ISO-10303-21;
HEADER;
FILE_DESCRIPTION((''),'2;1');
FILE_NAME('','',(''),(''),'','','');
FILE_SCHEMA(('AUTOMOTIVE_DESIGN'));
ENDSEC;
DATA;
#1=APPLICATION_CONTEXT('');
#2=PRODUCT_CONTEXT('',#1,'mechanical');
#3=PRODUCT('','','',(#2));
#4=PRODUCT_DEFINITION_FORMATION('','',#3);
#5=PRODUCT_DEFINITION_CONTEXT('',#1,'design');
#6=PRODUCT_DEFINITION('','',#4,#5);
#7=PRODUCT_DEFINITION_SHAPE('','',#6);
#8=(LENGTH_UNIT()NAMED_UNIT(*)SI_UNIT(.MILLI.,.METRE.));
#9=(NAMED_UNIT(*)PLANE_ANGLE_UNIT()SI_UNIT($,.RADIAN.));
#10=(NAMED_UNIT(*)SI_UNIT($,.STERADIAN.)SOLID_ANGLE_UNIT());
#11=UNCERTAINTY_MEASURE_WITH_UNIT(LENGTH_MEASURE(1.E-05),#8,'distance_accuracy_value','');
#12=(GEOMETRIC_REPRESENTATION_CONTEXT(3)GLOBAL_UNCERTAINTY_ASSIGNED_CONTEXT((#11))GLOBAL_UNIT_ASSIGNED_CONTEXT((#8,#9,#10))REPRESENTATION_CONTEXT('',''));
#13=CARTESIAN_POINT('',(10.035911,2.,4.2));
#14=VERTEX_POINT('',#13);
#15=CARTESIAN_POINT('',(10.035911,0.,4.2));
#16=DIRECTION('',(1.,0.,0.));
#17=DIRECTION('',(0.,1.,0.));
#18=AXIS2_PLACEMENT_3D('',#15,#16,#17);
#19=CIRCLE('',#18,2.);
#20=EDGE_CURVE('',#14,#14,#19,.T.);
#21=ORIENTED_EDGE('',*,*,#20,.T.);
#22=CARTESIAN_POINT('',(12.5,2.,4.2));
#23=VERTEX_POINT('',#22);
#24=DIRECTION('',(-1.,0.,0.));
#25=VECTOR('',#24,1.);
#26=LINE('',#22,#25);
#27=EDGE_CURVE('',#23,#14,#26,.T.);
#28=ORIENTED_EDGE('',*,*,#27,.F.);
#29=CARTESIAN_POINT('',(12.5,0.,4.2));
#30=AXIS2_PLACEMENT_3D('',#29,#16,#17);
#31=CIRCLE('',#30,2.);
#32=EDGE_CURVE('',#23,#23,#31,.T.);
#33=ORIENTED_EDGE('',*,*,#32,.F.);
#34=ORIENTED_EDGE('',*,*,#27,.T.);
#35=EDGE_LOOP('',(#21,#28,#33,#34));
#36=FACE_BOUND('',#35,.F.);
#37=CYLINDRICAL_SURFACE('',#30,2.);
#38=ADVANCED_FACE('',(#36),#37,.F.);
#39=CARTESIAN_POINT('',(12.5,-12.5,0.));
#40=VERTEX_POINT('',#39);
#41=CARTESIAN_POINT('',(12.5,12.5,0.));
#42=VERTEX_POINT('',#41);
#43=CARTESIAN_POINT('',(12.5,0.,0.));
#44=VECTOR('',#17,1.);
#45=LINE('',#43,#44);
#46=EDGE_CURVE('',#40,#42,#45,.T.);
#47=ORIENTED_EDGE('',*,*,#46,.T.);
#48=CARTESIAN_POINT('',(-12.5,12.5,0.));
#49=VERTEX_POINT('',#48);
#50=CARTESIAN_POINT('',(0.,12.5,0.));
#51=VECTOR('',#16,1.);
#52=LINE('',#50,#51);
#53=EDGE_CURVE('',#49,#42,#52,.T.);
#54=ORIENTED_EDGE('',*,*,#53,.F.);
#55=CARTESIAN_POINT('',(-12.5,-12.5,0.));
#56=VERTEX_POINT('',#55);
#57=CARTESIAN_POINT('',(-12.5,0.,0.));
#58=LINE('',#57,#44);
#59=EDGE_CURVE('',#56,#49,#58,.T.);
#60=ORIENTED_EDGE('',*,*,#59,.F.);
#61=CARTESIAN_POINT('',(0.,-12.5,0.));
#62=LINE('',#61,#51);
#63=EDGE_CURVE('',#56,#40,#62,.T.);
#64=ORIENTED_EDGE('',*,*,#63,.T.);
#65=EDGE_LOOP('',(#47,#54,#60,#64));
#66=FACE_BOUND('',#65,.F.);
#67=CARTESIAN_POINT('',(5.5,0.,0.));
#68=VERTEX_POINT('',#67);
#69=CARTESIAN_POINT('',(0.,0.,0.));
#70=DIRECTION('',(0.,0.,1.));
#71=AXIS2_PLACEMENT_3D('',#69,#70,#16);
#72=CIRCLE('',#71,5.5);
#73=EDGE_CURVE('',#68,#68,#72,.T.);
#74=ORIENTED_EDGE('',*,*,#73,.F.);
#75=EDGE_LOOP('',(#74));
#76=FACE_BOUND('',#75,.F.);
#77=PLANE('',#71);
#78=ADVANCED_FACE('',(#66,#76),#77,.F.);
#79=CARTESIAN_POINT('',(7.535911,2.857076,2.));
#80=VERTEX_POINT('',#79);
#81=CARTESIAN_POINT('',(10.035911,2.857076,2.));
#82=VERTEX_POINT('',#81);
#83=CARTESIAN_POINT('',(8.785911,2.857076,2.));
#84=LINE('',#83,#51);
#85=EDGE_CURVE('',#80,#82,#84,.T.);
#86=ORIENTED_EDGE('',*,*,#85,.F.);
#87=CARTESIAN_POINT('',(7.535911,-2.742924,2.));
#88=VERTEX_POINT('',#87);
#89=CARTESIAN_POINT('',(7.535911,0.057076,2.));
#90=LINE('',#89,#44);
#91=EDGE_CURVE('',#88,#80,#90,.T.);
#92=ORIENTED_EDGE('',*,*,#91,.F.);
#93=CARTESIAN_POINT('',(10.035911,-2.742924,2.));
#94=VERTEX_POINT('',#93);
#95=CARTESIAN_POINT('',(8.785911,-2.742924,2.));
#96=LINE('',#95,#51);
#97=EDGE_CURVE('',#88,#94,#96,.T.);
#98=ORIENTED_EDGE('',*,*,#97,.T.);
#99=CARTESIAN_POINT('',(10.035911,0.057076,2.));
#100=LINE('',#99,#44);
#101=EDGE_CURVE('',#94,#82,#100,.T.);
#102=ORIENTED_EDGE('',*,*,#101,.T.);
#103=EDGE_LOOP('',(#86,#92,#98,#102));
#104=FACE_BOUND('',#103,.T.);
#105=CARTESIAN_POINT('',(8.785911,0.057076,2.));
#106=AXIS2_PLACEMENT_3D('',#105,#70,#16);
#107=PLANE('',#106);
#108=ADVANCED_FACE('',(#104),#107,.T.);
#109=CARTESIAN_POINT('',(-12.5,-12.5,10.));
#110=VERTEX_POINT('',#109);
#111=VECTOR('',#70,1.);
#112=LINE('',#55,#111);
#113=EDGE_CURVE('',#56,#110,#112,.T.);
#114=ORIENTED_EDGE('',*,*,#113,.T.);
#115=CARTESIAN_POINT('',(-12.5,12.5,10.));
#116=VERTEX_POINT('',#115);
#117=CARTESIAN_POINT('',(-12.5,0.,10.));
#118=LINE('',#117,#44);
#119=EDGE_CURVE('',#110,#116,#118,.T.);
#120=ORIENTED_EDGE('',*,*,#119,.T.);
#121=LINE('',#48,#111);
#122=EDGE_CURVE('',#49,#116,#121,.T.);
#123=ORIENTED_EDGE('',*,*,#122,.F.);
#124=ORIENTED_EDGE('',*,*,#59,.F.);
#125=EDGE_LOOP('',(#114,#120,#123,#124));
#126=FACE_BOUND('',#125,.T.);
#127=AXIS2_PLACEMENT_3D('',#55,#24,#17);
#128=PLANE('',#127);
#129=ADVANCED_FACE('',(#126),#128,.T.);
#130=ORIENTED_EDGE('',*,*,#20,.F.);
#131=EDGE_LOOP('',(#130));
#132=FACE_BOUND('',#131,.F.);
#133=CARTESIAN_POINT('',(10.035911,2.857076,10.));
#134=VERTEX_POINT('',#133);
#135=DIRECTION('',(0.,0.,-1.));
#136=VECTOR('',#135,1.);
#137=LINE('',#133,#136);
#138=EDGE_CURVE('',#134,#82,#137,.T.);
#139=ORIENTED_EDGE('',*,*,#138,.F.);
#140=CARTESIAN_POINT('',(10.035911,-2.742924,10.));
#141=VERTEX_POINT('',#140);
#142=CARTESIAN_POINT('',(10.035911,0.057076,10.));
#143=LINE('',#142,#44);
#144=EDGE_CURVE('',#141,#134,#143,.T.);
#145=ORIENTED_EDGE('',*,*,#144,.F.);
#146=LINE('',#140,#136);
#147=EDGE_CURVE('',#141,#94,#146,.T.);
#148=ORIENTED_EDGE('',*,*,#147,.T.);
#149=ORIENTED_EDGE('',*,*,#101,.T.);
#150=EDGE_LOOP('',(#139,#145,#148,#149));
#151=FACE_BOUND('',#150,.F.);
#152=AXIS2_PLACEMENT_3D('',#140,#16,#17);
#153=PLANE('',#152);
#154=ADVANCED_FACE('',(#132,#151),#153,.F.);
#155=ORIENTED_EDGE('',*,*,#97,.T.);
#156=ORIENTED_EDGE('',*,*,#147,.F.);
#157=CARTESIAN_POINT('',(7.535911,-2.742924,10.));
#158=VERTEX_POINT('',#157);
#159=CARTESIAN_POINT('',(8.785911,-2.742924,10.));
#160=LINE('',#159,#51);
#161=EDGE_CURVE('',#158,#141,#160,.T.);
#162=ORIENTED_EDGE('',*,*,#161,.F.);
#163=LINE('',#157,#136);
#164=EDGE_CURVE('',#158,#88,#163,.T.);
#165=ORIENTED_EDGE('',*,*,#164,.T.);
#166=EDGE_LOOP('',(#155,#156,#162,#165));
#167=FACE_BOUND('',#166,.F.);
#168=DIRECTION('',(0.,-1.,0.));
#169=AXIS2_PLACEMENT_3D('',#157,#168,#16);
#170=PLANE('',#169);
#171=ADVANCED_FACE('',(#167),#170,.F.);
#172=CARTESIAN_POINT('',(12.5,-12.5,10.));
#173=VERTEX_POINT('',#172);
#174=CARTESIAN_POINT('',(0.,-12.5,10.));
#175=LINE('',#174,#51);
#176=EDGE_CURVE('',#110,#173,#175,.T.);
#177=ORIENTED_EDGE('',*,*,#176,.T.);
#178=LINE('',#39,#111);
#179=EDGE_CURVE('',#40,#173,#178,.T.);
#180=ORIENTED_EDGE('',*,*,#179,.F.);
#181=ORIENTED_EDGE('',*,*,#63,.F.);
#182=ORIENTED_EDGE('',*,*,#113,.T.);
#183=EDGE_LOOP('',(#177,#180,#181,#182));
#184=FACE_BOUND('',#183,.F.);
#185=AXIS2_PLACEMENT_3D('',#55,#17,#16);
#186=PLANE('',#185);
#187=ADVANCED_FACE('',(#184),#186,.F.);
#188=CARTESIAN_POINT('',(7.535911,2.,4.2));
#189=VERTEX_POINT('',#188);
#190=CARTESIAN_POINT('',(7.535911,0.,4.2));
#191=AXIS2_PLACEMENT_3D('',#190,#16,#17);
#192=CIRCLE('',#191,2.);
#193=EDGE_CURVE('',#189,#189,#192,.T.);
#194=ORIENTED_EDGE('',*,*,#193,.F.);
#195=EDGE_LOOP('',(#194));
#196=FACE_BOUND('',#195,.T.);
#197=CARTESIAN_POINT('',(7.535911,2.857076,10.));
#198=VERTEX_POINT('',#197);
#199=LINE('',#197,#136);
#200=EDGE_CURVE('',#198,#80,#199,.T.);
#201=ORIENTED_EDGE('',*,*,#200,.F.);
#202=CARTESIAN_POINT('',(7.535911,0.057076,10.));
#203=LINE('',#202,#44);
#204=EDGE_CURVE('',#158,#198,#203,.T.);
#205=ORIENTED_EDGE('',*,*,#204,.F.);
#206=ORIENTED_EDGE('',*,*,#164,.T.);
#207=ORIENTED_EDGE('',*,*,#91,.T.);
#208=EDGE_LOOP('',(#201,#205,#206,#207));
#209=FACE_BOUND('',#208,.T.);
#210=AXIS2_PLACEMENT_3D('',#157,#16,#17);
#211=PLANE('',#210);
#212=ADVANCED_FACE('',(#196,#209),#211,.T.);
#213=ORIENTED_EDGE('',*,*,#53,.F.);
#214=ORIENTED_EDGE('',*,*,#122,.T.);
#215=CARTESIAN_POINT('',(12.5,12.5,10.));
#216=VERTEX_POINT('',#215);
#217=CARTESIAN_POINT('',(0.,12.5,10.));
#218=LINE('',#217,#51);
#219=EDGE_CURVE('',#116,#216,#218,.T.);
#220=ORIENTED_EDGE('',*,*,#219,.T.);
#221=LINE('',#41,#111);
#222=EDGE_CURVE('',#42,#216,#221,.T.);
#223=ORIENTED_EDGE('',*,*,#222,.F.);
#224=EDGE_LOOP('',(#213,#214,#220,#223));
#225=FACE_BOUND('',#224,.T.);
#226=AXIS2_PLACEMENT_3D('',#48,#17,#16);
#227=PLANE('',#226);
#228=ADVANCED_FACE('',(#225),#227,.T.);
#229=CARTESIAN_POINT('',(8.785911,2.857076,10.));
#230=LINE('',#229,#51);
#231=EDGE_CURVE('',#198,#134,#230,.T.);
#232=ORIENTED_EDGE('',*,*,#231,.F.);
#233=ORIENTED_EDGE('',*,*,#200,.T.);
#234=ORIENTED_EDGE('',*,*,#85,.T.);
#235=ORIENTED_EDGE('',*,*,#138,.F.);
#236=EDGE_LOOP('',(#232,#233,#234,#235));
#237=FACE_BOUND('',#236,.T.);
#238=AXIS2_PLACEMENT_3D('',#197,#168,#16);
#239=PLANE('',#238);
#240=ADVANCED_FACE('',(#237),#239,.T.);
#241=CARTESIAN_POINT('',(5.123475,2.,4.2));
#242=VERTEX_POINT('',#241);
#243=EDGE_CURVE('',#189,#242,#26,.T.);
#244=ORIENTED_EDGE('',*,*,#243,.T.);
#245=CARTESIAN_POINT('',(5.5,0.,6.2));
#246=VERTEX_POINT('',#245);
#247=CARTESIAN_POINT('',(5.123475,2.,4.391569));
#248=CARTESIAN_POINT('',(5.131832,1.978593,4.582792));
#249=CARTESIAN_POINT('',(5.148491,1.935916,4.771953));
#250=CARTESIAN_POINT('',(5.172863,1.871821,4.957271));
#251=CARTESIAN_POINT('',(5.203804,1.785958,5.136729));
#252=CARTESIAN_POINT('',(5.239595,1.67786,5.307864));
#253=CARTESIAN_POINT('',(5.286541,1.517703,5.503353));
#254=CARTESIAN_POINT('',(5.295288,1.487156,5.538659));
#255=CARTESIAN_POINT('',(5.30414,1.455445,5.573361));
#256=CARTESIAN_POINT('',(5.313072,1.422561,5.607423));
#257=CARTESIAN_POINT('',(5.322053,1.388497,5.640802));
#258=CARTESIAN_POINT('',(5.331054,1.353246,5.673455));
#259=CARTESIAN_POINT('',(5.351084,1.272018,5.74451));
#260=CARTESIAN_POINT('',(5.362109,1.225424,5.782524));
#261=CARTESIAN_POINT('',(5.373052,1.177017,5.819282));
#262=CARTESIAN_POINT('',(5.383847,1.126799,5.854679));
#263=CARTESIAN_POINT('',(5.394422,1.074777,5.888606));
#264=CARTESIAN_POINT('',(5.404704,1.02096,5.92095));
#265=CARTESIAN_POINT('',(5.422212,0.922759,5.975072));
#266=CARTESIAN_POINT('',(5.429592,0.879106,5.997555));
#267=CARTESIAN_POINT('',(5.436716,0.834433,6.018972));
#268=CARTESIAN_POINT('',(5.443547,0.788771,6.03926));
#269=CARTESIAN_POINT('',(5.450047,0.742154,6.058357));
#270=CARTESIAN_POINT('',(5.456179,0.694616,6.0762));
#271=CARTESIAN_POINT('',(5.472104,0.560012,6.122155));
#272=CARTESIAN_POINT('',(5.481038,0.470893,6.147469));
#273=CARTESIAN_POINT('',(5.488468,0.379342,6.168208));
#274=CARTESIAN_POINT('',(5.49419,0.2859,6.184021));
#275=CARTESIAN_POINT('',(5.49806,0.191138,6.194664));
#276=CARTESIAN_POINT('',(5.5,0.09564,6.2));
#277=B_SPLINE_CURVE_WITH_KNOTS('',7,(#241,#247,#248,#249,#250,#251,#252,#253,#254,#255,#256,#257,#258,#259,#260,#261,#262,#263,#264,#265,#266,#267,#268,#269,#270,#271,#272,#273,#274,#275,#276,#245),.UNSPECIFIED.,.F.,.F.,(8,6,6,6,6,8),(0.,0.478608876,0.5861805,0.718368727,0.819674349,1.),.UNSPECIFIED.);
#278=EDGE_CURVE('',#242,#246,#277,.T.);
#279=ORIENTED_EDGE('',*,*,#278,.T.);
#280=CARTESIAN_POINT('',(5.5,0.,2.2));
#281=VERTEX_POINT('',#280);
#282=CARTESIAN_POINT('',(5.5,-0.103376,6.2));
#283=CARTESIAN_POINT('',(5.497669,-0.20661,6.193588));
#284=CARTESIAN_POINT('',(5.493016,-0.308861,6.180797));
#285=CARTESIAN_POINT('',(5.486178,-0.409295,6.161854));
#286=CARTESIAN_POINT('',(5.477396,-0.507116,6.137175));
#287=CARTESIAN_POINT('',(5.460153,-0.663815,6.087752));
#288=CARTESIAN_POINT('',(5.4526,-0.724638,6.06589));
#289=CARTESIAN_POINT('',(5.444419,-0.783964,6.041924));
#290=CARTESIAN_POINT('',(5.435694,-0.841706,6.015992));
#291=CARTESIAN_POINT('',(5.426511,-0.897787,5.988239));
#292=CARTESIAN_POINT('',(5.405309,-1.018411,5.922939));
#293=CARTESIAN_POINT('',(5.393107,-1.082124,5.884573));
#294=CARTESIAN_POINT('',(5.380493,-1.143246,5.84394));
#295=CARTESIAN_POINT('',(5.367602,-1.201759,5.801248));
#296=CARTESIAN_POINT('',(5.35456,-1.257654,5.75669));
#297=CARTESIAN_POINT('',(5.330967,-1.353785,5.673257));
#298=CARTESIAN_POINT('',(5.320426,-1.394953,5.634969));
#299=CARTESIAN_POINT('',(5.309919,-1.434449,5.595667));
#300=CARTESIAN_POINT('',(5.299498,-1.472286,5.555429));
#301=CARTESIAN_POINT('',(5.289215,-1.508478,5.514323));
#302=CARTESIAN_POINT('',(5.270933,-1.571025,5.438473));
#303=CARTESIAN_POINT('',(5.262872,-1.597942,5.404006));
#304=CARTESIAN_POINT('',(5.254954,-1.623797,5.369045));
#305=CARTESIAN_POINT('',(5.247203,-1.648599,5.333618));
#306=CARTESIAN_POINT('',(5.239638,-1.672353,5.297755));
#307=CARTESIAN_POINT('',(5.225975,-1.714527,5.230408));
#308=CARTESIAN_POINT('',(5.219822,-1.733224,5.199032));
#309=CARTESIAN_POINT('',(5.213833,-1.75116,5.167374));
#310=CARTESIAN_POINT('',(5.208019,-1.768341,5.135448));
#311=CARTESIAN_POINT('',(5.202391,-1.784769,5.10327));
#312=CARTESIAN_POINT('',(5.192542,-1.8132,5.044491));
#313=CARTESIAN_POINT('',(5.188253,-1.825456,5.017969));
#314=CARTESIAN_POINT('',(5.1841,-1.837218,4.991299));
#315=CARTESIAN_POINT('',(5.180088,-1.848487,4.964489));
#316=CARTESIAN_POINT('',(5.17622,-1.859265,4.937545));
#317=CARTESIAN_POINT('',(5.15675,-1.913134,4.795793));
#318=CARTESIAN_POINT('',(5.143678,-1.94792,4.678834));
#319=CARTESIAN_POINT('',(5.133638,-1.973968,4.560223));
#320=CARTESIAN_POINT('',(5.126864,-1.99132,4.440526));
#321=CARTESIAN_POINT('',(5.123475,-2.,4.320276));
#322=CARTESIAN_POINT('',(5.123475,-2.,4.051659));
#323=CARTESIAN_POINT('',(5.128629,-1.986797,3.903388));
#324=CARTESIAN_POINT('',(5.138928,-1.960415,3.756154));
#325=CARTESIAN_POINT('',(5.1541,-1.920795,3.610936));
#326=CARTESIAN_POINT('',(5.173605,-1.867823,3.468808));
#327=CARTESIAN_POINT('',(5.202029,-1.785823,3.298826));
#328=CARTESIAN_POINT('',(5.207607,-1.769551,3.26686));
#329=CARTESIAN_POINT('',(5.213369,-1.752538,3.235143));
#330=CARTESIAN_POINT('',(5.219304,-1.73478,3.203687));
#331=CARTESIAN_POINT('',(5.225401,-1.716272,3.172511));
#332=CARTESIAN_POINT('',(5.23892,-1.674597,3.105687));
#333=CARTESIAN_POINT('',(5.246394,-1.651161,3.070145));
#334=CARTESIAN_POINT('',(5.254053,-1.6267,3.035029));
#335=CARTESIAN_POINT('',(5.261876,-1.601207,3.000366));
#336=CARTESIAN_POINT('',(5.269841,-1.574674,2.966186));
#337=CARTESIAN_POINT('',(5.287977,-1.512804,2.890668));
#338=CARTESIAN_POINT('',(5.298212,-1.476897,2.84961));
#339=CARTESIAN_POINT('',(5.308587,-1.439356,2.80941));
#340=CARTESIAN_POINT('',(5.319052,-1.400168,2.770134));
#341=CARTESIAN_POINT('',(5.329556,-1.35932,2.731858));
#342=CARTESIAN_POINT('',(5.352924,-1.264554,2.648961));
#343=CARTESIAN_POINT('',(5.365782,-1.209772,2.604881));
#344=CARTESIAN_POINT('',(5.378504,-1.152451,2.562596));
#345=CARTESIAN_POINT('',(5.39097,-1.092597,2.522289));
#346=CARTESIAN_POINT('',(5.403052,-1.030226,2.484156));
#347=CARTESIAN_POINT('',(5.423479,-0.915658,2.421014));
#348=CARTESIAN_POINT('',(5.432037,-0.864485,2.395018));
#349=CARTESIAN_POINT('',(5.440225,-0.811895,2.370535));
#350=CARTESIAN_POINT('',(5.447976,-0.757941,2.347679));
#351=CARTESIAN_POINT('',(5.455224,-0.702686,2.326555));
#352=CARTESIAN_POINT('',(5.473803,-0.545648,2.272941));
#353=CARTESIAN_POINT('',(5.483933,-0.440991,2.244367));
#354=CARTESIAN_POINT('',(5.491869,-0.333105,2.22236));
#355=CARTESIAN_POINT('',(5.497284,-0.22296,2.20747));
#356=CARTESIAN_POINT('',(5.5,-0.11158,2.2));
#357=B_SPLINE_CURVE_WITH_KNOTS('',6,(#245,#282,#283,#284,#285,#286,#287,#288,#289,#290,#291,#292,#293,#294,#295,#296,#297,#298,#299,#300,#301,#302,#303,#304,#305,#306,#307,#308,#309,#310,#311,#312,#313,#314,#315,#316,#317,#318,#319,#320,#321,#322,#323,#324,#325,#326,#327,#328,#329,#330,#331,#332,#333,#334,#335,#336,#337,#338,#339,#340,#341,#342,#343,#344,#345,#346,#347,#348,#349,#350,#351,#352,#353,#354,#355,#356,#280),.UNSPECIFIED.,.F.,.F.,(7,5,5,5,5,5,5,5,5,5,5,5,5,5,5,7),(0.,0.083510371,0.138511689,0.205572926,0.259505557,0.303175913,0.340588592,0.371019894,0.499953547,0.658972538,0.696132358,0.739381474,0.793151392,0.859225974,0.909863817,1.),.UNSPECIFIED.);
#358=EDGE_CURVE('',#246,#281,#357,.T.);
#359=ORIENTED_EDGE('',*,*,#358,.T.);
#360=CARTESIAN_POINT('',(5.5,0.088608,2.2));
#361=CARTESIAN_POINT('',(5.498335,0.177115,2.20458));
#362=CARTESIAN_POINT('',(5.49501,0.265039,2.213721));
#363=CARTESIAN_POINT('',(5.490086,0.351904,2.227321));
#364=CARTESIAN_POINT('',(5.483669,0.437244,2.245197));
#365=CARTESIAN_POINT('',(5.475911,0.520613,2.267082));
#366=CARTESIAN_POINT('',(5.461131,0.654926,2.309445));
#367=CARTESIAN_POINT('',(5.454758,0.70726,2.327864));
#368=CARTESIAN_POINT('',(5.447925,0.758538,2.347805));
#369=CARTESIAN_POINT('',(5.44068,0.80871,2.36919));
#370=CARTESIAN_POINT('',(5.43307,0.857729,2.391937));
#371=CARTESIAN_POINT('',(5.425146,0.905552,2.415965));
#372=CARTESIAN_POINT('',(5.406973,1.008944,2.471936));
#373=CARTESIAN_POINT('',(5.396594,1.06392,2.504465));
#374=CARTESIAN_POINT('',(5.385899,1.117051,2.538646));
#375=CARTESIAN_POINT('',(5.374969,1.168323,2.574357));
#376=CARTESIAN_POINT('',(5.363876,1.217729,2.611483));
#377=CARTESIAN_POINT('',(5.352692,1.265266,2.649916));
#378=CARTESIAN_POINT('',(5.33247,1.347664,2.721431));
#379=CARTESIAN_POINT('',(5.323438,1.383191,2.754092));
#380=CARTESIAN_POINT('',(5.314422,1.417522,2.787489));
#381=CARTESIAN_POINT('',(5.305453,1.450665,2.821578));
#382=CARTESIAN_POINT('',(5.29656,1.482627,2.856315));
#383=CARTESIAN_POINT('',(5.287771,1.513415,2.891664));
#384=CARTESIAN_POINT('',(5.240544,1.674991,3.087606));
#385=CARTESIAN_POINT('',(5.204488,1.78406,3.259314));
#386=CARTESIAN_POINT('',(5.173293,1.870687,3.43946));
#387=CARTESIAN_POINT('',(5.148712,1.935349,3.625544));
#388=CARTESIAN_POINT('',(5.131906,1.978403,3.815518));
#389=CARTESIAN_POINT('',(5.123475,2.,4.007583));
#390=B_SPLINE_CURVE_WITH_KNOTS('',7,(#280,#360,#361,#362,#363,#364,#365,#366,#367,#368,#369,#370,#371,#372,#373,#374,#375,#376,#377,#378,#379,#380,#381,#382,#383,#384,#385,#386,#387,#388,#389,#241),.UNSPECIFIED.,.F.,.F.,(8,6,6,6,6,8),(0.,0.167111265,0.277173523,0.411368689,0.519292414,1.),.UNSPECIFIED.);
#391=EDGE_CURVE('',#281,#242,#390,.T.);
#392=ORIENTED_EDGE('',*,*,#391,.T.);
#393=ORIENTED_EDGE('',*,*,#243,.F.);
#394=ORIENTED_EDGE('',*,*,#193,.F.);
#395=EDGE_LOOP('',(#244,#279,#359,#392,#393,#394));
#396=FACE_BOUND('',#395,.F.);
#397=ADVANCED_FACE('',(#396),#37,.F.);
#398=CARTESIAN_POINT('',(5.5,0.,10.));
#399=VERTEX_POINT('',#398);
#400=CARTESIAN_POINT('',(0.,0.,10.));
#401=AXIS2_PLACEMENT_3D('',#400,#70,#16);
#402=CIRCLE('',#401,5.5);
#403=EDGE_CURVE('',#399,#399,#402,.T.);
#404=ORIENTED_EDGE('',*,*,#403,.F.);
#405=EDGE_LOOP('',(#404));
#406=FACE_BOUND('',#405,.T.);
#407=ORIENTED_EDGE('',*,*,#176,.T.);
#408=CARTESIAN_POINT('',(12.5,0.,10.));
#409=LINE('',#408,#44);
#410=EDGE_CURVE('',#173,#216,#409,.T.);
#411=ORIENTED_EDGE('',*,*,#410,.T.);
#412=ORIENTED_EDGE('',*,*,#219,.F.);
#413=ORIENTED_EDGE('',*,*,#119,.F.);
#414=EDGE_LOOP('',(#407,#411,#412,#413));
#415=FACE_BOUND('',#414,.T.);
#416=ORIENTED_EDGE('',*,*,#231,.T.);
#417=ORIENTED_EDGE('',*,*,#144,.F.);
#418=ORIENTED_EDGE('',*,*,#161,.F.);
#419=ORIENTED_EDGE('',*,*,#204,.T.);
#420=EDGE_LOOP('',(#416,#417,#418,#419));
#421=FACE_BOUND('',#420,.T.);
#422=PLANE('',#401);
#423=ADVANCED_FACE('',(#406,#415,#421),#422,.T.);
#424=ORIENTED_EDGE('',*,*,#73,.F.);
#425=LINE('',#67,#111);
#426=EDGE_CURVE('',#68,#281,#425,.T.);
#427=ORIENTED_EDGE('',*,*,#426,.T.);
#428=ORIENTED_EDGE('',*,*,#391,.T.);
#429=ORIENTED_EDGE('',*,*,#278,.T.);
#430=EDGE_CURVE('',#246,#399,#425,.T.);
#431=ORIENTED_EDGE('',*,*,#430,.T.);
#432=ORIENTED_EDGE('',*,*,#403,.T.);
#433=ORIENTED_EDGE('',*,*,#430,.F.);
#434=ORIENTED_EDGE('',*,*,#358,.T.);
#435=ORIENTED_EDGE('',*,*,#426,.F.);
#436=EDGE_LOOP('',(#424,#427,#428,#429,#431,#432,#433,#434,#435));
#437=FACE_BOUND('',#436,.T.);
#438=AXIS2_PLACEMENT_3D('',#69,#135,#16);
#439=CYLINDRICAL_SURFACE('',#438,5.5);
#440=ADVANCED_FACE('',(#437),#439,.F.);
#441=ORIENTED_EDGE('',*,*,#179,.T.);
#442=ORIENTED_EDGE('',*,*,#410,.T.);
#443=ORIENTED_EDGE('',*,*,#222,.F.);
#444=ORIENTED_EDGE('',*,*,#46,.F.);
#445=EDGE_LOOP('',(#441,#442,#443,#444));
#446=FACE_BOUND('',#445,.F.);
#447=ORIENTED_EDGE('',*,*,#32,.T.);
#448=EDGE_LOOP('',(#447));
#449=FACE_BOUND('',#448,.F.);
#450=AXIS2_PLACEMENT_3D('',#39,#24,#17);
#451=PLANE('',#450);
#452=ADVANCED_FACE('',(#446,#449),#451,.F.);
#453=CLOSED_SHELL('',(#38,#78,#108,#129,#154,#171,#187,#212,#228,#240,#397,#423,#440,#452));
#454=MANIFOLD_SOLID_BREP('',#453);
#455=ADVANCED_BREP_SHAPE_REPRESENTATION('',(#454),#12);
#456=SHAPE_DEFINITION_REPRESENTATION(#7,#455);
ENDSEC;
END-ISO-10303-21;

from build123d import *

# Parameters (mm, degrees)
SKETCH_W        = 25
SKETCH_H        = 25
SKETCH_R        = 5.5
PAD_DEPTH       = 10
SKETCH001_R     = 2
POCKET_DEPTH    = 8
SKETCH002_W     = 2.5
SKETCH002_H     = 5.6
POCKET001_DEPTH = 8


with BuildPart() as part:
    # Sketch → Pad (new body)
    with BuildSketch(Plane.XY):
        Rectangle(SKETCH_W, SKETCH_H)
        Circle(SKETCH_R, mode=Mode.SUBTRACT)
    extrude(amount=PAD_DEPTH)

    # Sketch001 (on Face2 of Pad) → Pocket (cut)
    with BuildSketch(Plane.YZ.offset(12.5)):
        with Locations((0, 4.2)):
            Circle(SKETCH001_R)
    extrude(amount=-POCKET_DEPTH, mode=Mode.SUBTRACT)

    # Sketch002 (on Face5 of Pocket) → Pocket001 (cut)
    with BuildSketch(Plane.XY.offset(10)):
        with Locations((8.785911, 0.057076)):
            Rectangle(SKETCH002_W, SKETCH002_H)
    extrude(amount=-POCKET001_DEPTH, mode=Mode.SUBTRACT)


solid = part.part
